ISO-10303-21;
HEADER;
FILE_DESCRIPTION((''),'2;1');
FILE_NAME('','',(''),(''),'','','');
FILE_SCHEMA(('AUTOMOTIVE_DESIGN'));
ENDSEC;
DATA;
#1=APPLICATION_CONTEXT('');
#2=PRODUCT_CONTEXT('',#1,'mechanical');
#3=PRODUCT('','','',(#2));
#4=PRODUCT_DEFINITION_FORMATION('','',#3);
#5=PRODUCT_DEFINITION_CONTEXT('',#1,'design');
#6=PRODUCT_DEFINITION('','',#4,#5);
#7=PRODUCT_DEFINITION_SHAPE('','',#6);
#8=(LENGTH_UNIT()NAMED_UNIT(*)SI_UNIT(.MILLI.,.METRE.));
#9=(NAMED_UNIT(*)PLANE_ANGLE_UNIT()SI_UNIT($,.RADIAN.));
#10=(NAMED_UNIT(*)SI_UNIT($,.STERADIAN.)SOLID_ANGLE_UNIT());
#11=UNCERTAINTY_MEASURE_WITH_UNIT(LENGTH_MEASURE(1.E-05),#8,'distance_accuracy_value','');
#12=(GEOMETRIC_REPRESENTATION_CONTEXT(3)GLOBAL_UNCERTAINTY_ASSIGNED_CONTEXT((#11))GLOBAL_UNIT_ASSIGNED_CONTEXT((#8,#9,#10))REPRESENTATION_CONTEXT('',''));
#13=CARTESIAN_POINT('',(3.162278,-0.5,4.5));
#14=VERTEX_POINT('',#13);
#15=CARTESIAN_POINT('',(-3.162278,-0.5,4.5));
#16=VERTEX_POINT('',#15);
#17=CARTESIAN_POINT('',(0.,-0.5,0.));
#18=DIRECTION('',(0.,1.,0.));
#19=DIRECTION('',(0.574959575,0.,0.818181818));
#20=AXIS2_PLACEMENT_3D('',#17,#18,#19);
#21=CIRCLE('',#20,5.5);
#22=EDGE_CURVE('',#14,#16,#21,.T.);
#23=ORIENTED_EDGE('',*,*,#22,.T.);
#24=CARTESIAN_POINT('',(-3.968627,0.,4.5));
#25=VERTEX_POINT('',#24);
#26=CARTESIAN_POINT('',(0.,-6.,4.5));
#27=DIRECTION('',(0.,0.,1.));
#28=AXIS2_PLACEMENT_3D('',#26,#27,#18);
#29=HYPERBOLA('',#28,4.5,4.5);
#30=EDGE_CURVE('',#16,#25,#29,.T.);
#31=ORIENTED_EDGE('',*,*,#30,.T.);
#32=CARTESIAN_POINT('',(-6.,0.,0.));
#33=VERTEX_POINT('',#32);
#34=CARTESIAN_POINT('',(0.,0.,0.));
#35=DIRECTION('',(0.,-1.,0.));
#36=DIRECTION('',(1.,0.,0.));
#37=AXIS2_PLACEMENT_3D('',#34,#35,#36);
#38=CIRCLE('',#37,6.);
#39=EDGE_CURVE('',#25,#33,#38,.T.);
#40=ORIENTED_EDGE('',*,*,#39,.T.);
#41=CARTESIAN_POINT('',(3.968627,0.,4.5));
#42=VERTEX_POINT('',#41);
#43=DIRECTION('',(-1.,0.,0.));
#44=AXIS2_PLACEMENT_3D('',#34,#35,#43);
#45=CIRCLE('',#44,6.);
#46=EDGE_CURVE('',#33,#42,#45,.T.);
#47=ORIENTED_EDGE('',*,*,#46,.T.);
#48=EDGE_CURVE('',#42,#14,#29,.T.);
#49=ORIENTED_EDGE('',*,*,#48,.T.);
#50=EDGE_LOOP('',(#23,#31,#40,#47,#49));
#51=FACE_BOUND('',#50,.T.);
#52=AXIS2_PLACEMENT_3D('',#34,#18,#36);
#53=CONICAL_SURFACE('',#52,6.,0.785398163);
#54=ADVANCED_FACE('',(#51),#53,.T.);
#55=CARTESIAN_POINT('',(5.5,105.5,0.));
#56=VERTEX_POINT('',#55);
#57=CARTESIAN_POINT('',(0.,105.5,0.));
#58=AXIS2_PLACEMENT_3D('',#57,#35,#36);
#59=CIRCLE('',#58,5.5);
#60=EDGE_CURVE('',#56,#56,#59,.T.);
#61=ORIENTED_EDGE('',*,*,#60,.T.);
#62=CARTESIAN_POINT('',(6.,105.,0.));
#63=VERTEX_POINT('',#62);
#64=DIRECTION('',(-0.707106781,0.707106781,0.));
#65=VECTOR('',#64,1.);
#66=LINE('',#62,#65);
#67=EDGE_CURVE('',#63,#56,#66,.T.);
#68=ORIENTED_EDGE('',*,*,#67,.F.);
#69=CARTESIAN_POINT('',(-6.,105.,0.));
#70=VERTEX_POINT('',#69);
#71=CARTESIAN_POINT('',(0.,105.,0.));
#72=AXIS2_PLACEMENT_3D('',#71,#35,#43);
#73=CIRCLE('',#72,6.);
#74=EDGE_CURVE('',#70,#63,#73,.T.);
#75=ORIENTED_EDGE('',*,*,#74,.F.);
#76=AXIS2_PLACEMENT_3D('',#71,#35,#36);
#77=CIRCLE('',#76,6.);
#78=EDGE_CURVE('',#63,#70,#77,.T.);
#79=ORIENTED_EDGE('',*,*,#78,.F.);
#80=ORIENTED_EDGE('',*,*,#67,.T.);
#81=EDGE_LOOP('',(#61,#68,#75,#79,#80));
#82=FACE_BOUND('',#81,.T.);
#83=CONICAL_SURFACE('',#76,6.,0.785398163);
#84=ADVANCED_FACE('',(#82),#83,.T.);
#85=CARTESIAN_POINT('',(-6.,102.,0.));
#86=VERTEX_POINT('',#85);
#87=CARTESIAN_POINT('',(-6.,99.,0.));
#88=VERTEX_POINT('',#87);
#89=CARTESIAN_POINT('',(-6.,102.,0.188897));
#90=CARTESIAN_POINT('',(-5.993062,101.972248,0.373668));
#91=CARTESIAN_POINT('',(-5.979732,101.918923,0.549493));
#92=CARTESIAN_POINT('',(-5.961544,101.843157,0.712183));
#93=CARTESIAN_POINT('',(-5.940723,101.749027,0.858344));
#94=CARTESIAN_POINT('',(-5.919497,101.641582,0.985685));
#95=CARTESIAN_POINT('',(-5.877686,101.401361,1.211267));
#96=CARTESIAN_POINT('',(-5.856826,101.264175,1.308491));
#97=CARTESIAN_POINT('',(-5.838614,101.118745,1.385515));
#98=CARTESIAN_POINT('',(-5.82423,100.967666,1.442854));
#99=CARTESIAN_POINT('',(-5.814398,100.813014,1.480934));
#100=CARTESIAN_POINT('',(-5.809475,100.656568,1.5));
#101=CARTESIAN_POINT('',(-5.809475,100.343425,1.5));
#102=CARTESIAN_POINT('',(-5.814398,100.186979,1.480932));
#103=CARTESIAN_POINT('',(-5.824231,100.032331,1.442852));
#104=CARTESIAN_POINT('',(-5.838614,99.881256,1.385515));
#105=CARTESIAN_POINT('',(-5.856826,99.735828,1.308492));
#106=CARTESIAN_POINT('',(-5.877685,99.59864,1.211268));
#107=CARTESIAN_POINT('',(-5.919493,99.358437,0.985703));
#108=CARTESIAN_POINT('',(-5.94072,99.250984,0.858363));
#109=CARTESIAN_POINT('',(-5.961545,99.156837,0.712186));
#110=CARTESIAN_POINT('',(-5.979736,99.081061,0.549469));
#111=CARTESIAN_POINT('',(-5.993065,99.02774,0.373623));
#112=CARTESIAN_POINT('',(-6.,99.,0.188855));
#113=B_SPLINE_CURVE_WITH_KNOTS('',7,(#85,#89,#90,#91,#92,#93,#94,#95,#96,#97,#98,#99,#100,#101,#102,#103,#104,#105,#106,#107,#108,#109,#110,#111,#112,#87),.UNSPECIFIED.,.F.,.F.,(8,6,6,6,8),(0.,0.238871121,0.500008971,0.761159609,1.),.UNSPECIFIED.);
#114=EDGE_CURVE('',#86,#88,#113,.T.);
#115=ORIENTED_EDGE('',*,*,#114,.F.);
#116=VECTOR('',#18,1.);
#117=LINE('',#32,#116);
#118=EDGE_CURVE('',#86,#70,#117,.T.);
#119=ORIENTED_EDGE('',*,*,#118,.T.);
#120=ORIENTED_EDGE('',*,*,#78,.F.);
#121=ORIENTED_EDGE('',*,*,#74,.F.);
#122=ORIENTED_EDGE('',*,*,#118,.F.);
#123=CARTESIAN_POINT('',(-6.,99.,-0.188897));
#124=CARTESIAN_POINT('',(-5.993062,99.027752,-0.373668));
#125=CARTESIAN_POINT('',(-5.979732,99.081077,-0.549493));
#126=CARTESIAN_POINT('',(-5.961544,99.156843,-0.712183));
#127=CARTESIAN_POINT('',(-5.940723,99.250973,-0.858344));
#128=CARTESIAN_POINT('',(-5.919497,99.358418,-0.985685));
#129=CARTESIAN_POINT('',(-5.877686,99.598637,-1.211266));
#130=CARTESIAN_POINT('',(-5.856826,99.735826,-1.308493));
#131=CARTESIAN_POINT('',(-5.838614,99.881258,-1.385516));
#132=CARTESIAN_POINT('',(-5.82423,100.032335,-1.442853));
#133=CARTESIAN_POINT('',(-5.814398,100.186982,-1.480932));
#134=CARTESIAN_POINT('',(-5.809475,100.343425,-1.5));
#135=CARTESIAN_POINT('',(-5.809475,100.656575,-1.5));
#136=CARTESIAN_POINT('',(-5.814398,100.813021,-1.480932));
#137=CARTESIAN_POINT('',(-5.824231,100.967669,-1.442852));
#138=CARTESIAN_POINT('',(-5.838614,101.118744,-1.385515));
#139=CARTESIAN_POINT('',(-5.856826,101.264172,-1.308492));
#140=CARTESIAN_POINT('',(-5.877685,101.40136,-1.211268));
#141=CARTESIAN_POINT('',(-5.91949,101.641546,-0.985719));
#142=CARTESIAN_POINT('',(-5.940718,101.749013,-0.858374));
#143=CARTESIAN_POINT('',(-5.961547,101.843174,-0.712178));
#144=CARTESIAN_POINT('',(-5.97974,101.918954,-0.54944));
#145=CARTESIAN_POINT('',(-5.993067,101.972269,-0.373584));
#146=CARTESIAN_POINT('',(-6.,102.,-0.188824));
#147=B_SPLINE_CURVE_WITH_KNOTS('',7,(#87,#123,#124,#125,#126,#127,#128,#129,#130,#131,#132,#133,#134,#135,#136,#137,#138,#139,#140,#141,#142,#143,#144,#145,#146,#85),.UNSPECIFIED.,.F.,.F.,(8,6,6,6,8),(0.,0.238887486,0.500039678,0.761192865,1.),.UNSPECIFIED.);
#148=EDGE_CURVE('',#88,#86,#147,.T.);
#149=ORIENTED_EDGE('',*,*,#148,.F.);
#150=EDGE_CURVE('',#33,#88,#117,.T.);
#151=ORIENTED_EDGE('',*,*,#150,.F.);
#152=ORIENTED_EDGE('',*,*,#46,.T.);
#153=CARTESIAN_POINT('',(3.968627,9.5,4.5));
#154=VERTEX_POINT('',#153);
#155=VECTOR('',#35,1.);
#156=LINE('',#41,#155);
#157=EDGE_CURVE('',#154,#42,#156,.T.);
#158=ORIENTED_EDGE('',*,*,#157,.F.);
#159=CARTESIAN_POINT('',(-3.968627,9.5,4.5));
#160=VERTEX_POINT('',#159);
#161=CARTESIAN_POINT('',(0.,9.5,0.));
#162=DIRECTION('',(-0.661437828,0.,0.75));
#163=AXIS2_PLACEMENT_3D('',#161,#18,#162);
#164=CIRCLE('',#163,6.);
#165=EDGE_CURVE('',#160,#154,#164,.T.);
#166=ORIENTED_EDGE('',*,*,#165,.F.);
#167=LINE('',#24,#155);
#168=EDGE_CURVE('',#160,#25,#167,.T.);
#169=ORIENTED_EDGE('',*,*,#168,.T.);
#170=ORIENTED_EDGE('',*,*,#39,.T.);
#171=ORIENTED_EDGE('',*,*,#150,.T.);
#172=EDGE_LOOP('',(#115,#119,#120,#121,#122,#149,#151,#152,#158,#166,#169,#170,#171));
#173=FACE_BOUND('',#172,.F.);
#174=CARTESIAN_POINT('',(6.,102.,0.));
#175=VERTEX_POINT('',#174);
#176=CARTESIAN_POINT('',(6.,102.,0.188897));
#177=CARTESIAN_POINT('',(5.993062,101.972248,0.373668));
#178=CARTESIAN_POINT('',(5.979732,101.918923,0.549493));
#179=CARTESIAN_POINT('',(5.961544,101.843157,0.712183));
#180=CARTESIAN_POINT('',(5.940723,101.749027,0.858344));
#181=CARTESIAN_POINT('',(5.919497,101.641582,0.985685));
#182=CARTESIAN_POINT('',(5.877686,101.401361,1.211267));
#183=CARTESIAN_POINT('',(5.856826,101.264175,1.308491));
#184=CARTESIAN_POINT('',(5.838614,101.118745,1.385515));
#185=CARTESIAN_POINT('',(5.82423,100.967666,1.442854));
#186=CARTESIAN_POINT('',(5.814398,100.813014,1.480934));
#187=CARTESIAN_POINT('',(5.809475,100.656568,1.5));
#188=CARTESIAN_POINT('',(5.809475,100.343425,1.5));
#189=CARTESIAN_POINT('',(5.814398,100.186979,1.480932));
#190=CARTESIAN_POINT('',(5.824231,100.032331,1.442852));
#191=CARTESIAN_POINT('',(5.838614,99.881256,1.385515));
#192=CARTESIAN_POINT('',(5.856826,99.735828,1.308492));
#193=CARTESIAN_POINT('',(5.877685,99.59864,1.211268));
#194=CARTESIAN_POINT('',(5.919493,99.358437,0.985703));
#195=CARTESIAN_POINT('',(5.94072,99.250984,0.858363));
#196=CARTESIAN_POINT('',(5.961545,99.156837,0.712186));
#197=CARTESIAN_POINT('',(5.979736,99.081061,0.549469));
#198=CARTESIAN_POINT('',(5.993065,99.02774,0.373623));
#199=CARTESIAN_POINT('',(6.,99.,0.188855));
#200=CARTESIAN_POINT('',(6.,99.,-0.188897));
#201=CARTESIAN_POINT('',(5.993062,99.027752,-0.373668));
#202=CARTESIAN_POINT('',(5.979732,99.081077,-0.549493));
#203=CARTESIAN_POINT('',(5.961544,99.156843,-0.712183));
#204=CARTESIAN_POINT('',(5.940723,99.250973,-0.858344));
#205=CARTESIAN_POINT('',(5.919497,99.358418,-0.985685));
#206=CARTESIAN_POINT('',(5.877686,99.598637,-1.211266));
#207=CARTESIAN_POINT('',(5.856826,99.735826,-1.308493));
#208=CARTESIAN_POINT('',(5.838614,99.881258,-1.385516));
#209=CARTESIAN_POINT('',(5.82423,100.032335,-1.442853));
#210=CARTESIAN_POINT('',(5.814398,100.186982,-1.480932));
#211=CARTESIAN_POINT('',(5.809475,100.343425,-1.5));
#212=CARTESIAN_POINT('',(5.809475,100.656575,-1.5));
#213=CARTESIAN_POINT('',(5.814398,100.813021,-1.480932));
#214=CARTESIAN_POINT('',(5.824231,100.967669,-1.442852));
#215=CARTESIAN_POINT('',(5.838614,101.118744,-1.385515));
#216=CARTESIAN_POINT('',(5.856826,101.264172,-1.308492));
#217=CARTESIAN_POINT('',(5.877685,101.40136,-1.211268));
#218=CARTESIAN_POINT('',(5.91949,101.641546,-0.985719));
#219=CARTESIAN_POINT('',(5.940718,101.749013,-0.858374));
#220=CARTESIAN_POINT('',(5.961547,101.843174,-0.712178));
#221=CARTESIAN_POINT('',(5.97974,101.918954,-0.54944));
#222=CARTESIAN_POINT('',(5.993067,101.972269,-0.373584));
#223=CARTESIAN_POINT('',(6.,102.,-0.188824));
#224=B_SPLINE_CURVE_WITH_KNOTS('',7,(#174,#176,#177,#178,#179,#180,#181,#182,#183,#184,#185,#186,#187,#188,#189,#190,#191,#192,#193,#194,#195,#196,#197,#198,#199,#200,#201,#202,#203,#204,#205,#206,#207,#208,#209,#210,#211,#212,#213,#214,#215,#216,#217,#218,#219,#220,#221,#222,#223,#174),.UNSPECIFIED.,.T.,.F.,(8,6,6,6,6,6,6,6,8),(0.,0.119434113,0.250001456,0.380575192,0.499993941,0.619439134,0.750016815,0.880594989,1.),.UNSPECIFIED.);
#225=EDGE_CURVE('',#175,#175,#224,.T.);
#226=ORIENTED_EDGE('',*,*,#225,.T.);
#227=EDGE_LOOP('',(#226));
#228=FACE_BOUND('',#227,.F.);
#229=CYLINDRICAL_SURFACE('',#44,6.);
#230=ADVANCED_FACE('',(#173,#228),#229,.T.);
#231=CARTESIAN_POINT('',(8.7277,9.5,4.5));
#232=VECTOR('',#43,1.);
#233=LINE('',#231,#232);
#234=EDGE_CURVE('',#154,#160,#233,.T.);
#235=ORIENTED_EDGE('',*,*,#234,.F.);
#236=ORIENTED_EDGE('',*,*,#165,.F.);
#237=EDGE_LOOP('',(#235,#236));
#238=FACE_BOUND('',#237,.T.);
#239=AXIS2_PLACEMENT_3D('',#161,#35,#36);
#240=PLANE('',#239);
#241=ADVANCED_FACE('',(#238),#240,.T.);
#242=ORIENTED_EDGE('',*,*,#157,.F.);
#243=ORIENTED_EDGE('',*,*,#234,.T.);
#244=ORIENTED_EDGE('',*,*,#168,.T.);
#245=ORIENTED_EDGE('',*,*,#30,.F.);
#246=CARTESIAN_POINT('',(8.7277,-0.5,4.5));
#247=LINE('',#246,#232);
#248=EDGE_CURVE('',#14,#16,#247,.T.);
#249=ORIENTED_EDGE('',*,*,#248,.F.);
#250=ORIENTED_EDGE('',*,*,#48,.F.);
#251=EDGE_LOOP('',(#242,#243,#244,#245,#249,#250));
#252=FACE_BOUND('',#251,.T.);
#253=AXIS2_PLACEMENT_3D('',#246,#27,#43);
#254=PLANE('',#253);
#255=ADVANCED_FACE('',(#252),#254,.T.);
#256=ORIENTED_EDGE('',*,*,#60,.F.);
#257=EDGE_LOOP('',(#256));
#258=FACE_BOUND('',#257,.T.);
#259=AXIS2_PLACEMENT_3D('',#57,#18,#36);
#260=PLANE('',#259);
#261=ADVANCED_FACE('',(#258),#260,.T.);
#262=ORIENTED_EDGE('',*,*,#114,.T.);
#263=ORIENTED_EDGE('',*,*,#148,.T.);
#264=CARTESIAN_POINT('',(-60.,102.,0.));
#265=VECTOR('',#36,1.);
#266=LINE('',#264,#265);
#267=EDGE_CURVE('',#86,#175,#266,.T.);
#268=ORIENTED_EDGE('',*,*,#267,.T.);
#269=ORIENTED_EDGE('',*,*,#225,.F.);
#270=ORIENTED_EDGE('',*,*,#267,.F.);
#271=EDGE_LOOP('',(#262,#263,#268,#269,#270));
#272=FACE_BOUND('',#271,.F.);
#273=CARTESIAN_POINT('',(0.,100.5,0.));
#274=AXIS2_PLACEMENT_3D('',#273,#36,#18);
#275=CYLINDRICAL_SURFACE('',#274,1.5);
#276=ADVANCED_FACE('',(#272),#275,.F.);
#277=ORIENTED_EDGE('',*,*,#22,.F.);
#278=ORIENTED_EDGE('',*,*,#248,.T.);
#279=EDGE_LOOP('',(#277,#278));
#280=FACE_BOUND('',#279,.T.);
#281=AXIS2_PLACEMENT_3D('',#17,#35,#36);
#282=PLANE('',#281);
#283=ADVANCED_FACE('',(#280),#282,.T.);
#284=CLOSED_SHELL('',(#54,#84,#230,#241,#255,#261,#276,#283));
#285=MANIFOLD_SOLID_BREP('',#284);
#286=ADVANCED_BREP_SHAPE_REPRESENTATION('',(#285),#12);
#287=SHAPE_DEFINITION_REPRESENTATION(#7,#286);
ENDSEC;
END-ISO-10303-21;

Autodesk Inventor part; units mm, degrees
ref_plane "YZ Plane" through (0, 0, 0) normal (1, 0, 0) x (0, 1, 0)
ref_plane "XZ Plane" through (0, 0, 0) normal (0, 1, 0) x (-1, 0, 0)
ref_plane "XY Plane" through (0, 0, 0) normal (0, 0, 1) x (1, 0, 0)
sketch "Sketch1" plane through (0, 0, 0) normal (0, 1, 0) x (-1, 0, 0)
  circle A0 centre (0, 0) radius 6
  dimension "d0" = 12
extrude "Extrusion1" add sketch "Sketch1" along normal blind 105
sketch "Sketch2" plane through (0, 105, 0) normal (0, 1, 0) x (1, 0, 0)
  circle A0 centre (0, 0) radius 6
  dimension "d3" = 12
extrude "Extrusion2" add sketch "Sketch2" along normal blind 0.5 draft -45
sketch "Sketch3" plane through (0, 0, 0) normal (0, -1, 0) x (1, 0, 0)
  circle A0 centre (0, 0) radius 6
  dimension "d6" = 12
extrude "Extrusion3" add sketch "Sketch3" along normal blind 0.5 draft -45
sketch "Sketch4" plane through (0, -0.5, 0) normal (0, -1, 0) x (1, 0, 0)
  line L0 (-8.7277, 6) -> (8.7277, 6)
  line L1 (8.7277, 6) -> (8.7277, 4.5)
  line L2 (8.7277, 4.5) -> (-8.7277, 4.5)
  line L3 (-8.7277, 4.5) -> (-8.7277, 6)
  line L4 (-8.7277, 6) -> (8.7277, 4.5) construction
  line L5 (8.7277, 6) -> (-8.7277, 4.5) construction
  point P0 (0, 0)
  point P1 (0, 5.25)
  dimension "d9" = 1.5
extrude "Extrusion4" cut sketch "Sketch4" against normal blind 10
sketch "Sketch6" plane through (0, 0, 0) normal (1, 0, 0) x (0, 1, 0)
  circle A0 centre (100.5, 0) radius 1.5
  point P0 (0, 0)
  dimension "d15" = 3
extrude "Extrusion6" cut sketch "Sketch6" against normal mid plane 120
properties part number "crankshaft" material "Stainless Steel"
